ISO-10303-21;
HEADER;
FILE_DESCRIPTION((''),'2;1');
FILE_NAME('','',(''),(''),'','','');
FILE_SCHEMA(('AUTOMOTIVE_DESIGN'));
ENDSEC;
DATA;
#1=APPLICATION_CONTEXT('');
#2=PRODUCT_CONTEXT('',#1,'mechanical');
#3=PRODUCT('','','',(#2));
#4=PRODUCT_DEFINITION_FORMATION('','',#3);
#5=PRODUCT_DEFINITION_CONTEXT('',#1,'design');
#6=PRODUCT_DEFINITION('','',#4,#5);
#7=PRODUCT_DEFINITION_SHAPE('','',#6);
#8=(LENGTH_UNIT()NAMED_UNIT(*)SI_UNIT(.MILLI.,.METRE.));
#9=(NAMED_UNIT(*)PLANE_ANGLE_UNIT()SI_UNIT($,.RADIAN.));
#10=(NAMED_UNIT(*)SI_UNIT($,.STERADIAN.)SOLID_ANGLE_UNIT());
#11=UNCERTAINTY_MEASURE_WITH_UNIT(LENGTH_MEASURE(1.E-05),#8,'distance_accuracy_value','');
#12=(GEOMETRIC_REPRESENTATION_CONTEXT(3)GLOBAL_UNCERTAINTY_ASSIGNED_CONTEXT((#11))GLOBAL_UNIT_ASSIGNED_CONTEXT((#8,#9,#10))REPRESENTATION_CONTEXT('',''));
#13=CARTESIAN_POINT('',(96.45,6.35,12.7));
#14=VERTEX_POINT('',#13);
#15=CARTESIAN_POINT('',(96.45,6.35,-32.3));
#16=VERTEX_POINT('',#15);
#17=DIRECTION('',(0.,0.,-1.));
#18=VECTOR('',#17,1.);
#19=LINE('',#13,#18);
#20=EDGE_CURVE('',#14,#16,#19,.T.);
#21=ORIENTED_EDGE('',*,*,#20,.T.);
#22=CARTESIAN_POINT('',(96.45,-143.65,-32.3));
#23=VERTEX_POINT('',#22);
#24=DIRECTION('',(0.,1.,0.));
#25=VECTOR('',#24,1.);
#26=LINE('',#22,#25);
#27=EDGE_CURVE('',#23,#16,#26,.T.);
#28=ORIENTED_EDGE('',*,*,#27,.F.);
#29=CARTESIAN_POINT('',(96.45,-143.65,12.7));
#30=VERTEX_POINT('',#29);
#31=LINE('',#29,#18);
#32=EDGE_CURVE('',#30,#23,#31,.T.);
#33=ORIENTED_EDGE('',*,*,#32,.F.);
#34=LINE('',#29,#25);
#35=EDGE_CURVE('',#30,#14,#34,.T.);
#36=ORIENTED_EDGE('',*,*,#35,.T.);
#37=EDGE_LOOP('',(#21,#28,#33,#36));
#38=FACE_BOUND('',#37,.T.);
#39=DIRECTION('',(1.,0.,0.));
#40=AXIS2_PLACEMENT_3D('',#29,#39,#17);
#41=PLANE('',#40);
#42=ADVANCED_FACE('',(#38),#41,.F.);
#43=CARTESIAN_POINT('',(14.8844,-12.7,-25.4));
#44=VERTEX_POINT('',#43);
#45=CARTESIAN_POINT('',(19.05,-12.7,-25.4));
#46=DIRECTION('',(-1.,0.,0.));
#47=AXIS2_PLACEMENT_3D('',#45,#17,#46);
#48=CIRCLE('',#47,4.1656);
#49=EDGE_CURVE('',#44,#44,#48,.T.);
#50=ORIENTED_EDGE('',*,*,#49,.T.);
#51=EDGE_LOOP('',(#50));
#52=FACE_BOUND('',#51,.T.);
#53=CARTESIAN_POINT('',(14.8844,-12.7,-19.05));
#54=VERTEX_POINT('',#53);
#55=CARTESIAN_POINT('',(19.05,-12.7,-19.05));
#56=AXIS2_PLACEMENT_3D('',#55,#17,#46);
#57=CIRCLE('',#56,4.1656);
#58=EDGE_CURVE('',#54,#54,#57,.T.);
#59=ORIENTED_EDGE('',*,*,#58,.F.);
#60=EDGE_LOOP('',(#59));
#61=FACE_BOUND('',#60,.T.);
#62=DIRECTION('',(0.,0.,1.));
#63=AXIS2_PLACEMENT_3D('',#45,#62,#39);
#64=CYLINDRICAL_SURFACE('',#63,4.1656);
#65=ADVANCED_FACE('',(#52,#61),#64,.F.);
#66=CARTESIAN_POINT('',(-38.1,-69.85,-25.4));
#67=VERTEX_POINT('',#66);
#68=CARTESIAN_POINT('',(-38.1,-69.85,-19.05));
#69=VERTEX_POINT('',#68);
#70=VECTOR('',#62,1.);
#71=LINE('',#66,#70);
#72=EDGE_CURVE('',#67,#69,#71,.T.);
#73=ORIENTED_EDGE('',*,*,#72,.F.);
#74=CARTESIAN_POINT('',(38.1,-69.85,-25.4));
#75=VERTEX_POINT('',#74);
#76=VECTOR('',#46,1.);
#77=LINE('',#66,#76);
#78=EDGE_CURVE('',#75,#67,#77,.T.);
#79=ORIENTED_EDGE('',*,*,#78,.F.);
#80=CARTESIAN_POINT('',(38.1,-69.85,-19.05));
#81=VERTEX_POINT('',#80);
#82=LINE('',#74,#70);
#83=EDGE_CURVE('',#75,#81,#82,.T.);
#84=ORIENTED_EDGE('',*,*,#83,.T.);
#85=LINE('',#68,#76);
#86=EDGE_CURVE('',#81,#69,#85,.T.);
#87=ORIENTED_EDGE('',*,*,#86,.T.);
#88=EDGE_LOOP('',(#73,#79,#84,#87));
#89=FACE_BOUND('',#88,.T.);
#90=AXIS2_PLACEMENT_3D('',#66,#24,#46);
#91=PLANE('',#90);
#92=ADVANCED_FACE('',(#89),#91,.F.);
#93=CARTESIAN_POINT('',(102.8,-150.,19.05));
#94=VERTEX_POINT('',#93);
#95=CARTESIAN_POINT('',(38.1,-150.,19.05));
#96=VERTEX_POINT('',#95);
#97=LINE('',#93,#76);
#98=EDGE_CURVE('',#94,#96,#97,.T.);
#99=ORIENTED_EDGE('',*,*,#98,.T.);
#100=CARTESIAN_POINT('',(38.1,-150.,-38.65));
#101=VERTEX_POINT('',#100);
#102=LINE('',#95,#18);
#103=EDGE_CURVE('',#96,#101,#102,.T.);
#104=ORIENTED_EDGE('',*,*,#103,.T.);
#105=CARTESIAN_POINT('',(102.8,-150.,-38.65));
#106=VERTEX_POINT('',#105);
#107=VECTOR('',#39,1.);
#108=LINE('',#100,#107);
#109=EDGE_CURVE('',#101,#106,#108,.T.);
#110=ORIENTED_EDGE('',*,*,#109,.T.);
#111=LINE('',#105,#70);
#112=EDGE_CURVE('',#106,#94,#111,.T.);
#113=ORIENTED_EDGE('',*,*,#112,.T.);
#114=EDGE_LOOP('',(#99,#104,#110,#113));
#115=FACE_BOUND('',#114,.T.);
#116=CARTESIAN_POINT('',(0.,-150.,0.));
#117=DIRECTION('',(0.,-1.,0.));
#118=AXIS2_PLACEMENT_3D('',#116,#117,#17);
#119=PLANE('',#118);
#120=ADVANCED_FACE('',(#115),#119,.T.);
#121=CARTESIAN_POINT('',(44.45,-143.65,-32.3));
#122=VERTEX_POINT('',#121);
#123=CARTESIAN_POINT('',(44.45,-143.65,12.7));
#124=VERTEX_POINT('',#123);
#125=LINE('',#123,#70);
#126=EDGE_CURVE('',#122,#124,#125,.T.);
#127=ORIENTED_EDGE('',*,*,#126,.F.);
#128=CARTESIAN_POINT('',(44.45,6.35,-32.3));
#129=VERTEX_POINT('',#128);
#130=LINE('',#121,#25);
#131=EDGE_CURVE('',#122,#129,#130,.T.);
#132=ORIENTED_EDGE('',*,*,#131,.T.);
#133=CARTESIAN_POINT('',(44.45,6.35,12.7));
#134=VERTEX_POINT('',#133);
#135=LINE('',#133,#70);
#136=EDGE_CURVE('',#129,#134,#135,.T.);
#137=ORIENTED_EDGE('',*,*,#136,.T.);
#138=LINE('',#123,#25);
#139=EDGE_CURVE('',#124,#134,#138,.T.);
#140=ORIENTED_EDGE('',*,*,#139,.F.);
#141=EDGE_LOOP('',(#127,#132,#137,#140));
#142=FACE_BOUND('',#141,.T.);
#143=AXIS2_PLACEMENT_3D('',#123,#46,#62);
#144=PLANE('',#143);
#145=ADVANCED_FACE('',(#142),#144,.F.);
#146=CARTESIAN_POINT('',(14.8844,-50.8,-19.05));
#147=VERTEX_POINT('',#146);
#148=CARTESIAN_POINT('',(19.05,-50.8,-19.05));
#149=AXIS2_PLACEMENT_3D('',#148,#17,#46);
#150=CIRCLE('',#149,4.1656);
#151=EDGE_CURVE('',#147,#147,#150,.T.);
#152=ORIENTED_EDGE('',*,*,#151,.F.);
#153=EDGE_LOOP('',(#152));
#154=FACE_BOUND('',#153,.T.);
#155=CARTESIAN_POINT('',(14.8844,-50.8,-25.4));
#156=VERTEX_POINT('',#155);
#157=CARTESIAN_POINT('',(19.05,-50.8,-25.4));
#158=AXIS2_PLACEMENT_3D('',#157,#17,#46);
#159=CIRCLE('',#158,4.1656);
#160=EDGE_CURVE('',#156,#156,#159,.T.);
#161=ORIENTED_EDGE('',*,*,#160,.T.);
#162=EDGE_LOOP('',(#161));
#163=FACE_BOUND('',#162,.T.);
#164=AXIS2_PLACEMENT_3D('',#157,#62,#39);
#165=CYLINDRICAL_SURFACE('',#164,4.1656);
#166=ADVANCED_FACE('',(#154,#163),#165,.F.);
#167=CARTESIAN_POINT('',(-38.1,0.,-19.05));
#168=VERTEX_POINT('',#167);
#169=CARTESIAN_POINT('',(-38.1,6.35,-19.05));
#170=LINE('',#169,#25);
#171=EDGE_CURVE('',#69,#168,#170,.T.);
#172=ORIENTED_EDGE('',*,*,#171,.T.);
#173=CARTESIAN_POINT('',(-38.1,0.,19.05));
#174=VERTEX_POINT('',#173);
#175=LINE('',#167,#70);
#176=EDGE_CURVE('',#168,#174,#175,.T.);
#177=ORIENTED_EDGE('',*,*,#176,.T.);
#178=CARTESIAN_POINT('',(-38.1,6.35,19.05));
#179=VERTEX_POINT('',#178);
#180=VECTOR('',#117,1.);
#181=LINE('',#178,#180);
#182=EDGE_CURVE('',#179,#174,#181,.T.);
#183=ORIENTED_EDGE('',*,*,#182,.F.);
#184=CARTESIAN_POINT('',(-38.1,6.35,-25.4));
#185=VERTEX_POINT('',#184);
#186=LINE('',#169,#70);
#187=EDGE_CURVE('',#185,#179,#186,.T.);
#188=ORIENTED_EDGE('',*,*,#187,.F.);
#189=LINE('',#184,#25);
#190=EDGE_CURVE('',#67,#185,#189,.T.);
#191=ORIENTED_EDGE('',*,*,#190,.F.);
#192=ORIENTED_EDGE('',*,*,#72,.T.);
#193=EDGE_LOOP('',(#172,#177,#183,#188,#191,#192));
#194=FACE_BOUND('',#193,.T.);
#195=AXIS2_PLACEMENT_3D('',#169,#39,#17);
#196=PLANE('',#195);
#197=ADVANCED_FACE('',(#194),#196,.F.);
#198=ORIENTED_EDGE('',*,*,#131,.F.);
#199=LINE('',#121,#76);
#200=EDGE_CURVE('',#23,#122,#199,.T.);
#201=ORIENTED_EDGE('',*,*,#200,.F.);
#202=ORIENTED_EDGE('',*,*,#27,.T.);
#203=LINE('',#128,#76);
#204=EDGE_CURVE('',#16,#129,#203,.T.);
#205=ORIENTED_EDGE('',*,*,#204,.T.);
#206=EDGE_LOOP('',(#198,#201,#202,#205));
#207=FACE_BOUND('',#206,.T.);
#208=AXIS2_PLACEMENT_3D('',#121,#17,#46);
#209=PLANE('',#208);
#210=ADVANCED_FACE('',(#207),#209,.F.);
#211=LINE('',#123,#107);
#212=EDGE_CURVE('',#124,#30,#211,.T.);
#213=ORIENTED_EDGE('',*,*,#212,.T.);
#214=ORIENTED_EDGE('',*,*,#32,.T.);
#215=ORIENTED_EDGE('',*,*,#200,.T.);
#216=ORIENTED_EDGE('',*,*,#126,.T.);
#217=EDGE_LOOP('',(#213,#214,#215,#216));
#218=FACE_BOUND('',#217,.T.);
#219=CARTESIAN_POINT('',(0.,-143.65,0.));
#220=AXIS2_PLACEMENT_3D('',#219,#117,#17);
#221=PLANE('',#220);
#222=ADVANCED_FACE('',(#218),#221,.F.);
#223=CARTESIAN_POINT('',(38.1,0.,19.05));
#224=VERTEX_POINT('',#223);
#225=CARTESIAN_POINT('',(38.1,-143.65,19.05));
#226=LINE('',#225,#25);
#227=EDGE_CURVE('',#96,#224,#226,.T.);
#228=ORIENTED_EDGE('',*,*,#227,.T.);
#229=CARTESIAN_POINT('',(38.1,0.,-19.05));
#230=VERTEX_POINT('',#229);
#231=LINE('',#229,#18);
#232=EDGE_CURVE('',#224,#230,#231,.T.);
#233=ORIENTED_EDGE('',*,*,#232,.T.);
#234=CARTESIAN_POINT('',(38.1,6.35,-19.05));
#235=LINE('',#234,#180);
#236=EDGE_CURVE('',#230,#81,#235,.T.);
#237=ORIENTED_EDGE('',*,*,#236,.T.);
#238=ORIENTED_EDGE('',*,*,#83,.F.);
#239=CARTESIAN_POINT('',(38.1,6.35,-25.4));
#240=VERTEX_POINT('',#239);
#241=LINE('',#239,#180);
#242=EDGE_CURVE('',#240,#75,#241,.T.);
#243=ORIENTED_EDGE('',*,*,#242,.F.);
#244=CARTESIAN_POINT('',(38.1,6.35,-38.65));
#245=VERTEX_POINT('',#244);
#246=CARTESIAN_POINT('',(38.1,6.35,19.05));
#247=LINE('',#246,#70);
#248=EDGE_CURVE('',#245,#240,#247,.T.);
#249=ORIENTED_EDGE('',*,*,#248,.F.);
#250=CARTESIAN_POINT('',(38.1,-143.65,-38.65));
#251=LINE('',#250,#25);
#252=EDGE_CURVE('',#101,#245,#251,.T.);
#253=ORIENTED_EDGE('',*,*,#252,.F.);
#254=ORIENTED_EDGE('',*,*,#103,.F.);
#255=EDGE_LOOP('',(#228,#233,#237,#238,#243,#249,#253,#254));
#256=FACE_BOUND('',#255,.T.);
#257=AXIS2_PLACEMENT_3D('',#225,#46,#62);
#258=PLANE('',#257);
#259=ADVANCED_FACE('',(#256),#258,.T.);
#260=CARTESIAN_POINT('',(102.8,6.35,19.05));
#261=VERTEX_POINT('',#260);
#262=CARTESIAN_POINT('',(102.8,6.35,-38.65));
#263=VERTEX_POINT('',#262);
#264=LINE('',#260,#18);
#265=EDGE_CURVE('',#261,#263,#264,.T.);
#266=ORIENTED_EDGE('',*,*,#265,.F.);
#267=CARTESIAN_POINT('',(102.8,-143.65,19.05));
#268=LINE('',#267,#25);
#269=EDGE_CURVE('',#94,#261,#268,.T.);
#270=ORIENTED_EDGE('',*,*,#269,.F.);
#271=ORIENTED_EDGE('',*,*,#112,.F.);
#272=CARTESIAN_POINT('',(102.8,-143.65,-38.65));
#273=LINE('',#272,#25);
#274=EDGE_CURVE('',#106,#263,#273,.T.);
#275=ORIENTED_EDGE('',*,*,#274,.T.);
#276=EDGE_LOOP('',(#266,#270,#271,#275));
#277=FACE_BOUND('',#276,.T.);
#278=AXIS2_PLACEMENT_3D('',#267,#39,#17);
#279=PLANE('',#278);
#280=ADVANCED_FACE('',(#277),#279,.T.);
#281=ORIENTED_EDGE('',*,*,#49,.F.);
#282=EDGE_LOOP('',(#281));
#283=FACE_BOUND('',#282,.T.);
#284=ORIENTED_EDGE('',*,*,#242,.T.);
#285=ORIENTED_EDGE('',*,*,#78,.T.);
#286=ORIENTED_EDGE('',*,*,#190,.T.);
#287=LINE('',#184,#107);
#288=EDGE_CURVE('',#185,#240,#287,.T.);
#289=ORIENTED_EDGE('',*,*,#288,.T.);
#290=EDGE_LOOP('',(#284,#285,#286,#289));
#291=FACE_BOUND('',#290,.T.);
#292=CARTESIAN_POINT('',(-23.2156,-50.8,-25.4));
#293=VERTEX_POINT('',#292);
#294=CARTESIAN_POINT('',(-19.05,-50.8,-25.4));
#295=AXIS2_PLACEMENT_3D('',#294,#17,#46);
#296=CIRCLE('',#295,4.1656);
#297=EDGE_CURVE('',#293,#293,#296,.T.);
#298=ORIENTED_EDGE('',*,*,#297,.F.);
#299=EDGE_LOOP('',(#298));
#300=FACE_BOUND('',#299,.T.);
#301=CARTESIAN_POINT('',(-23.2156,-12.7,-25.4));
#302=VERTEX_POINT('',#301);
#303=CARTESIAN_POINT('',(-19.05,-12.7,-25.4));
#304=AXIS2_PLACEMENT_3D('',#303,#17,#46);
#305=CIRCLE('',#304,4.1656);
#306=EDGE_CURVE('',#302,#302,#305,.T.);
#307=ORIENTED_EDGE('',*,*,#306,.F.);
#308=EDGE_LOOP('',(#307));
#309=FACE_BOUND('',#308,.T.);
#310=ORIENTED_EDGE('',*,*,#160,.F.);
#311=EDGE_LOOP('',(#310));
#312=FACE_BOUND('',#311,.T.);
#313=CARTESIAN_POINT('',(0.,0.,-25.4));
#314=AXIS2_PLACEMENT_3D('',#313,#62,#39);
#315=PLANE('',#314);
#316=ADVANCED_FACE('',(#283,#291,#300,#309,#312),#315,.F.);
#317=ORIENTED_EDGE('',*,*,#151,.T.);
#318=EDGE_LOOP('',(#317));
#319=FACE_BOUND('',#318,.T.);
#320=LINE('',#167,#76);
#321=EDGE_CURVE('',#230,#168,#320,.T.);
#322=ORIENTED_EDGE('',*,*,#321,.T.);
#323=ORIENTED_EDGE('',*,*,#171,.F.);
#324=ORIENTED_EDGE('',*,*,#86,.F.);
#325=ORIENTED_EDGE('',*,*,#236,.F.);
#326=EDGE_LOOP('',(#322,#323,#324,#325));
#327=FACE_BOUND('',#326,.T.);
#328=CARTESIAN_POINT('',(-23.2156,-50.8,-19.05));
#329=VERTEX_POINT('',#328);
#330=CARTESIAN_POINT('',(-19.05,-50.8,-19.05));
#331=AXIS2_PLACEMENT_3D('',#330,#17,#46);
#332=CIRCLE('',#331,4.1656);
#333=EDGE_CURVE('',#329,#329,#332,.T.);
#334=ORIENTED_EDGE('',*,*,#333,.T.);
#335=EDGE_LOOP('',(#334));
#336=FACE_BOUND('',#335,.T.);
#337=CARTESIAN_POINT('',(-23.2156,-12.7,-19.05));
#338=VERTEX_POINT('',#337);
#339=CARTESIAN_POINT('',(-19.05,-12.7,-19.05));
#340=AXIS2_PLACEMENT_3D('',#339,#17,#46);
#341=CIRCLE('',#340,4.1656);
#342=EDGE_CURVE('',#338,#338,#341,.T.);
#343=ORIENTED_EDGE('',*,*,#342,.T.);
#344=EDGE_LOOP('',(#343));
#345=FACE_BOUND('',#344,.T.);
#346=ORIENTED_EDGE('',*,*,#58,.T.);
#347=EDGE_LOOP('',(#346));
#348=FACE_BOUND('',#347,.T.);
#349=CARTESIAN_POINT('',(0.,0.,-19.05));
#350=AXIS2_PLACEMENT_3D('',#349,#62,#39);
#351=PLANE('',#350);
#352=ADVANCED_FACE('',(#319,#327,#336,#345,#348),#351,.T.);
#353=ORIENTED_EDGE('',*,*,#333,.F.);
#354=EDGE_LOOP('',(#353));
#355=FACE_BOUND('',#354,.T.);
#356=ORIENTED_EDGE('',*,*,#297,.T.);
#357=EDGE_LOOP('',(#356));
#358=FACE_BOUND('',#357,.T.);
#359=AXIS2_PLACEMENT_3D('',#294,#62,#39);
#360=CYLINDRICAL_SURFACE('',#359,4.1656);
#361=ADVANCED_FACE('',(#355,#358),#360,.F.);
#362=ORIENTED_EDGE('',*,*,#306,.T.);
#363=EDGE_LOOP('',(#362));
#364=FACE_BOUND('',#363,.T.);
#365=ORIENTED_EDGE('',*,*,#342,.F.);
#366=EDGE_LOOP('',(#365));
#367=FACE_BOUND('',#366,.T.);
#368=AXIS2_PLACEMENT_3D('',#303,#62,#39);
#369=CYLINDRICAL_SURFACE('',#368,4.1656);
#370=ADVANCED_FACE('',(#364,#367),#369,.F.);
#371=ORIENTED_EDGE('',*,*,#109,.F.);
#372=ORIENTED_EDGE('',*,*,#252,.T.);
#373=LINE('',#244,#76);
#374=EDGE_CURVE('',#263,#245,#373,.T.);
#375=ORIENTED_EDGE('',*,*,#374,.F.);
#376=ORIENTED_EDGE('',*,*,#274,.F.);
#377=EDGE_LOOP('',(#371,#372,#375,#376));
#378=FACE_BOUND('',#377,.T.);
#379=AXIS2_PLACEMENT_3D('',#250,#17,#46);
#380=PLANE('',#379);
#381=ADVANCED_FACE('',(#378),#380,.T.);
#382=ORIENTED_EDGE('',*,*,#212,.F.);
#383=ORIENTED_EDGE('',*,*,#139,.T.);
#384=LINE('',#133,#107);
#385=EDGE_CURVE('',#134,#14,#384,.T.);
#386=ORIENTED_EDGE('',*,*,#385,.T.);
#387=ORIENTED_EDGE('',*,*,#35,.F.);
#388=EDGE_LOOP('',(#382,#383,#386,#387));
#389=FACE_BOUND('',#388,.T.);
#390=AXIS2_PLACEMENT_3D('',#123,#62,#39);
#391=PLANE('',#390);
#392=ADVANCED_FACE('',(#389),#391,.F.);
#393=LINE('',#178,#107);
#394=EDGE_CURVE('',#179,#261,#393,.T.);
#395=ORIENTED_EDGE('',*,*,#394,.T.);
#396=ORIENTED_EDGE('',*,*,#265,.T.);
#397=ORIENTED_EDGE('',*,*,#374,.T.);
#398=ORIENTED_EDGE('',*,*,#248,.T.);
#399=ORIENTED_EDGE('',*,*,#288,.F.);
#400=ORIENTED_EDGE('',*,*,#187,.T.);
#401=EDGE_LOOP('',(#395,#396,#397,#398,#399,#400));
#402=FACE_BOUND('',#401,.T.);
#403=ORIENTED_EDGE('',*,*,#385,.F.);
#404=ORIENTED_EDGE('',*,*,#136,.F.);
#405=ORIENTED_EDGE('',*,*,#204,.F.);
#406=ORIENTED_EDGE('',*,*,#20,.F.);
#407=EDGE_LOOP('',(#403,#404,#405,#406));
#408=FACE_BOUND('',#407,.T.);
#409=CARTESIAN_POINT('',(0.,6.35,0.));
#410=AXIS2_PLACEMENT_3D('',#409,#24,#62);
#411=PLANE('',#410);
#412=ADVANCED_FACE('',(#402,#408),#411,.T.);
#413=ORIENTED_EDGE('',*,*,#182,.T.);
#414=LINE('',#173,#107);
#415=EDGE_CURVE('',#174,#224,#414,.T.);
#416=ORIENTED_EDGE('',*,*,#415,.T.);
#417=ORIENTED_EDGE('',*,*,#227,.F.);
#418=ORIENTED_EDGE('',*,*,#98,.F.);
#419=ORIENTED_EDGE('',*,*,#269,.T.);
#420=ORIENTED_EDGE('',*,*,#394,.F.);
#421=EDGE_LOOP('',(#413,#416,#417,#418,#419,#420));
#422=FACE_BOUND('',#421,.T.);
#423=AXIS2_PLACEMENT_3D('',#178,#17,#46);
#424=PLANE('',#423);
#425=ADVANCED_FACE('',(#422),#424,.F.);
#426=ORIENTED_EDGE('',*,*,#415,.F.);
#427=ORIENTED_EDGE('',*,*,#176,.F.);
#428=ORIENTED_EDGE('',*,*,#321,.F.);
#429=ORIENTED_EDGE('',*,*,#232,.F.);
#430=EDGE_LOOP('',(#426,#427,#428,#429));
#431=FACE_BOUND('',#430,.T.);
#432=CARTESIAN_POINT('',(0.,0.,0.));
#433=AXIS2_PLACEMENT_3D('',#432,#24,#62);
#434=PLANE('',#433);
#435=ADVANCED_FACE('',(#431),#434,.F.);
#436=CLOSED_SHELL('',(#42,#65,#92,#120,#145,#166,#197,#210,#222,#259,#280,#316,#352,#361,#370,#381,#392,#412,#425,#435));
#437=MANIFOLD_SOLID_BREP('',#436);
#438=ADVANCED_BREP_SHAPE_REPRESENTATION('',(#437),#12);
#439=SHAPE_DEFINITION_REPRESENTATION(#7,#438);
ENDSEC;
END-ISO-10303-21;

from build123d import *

# Parameters (mm, degrees)
SKETCH1_W           = 76.2
SKETCH1_H           = 38.1
BOSS_EXTRUDE1_DEPTH = 6.35
SKETCH2_W           = 76.2
SKETCH2_H           = 76.2
SKETCH2_R           = 4.1656
BOSS_EXTRUDE2_DEPTH = 6.35
SKETCH3_W           = 64.7
SKETCH3_H           = 57.7
SKETCH3_W_2         = 52
SKETCH3_H_2         = 45
BOSS_EXTRUDE3_DEPTH = 150
SKETCH4_W           = 64.7
SKETCH4_H           = 57.7
BOSS_EXTRUDE4_DEPTH = 6.35


with BuildPart() as part:
    # Sketch1 → Boss-Extrude1 (new body)
    with BuildSketch(Plane(origin=(0, 0, 0), x_dir=(1, 0, 0), z_dir=(0, 1, 0))):
        Rectangle(SKETCH1_W, SKETCH1_H)
    extrude(amount=BOSS_EXTRUDE1_DEPTH)

    # Sketch2 → Boss-Extrude2 (add)
    with BuildSketch(Plane(origin=(0, 0, -19.05), x_dir=(-1, 0, 0), z_dir=(0, 0, -1))):
        with Locations((0, -31.75)):
            Rectangle(SKETCH2_W, SKETCH2_H)
        with Locations((-19.05, -12.7)):
            Circle(SKETCH2_R, mode=Mode.SUBTRACT)
        with Locations((19.05, -12.7)):
            Circle(SKETCH2_R, mode=Mode.SUBTRACT)
        with Locations((19.05, -50.8)):
            Circle(SKETCH2_R, mode=Mode.SUBTRACT)
        with Locations((-19.05, -50.8)):
            Circle(SKETCH2_R, mode=Mode.SUBTRACT)
    extrude(amount=BOSS_EXTRUDE2_DEPTH)

    # Sketch3 → Boss-Extrude3 (add)
    with BuildSketch(Plane(origin=(0, 6.35, 0), x_dir=(1, 0, 0), z_dir=(0, 1, 0))):
        with Locations((70.45, 9.8)):
            Rectangle(SKETCH3_W, SKETCH3_H)
        with Locations((70.45, 9.8)):
            Rectangle(SKETCH3_W_2, SKETCH3_H_2, mode=Mode.SUBTRACT)
    extrude(amount=-BOSS_EXTRUDE3_DEPTH)

    # Sketch4 → Boss-Extrude4 (add)
    with BuildSketch(Plane.XZ.offset(143.65)):
        with Locations((70.45, -9.8)):
            Rectangle(SKETCH4_W, SKETCH4_H)
    extrude(amount=BOSS_EXTRUDE4_DEPTH)


solid = part.part
